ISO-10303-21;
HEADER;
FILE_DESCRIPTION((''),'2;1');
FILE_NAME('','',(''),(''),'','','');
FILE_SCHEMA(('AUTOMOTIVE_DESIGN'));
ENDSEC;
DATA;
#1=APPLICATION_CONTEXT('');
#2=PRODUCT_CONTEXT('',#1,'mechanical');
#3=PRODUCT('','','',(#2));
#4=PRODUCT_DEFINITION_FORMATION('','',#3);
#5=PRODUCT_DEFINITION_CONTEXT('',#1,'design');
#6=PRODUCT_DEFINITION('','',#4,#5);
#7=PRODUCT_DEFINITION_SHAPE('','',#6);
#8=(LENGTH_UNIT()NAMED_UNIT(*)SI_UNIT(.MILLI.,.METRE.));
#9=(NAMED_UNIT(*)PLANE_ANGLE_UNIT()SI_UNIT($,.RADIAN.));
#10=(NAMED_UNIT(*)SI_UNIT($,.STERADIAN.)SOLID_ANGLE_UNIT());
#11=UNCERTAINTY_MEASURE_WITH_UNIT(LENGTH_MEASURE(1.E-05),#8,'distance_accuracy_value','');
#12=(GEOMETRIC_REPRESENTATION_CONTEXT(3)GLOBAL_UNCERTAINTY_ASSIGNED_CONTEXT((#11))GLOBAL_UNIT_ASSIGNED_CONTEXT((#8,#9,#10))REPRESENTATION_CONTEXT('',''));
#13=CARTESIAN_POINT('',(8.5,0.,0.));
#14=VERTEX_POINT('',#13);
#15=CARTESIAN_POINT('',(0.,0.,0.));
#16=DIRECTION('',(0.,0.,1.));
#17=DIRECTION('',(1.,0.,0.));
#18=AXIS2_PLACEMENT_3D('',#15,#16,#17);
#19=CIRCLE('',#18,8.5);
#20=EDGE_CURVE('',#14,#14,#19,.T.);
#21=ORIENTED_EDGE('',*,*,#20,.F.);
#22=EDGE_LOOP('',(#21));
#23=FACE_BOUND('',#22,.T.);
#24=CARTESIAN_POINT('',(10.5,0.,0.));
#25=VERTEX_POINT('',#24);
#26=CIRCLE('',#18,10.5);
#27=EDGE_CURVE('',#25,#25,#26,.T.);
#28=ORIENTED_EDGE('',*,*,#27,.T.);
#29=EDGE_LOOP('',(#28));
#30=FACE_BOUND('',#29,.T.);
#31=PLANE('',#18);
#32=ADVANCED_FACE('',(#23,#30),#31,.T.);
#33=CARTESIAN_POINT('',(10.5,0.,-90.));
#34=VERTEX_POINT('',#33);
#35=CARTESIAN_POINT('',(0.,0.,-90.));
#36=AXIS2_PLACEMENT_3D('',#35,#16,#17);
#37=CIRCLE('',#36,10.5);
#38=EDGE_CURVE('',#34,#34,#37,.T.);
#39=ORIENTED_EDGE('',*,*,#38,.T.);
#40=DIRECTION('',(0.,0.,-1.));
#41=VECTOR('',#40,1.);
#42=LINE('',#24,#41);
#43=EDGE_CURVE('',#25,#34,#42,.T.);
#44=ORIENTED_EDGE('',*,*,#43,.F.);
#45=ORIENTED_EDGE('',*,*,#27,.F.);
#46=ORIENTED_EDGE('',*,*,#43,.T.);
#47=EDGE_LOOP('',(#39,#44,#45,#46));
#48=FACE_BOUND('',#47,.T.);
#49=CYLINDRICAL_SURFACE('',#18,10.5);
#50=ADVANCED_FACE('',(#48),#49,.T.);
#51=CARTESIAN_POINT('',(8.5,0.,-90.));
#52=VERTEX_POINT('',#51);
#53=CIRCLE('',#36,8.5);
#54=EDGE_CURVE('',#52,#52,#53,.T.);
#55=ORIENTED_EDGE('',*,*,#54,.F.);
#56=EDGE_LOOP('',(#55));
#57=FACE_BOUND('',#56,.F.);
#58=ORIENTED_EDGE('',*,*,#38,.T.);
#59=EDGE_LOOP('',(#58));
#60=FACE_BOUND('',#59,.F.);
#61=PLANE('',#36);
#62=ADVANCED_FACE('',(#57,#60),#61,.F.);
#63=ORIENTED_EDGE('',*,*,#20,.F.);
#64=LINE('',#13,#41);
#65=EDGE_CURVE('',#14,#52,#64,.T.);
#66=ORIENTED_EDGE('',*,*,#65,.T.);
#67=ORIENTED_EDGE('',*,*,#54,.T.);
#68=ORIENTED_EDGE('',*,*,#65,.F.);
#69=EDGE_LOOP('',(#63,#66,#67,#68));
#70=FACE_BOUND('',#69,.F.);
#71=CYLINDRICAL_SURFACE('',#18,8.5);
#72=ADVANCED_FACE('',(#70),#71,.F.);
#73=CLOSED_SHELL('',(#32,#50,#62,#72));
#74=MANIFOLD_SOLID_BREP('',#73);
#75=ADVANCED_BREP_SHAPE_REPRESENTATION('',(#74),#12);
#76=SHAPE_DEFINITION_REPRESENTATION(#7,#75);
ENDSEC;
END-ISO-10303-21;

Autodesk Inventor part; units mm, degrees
ref_plane "YZ Plane" through (0, 0, 0) normal (1, 0, 0) x (0, 1, 0)
ref_plane "XZ Plane" through (0, 0, 0) normal (0, 1, 0) x (-1, 0, 0)
ref_plane "XY Plane" through (0, 0, 0) normal (0, 0, 1) x (1, 0, 0)
sketch "Sketch11" plane through (0, 0, 0) normal (0, 0, 1) x (1, 0, 0)
  circle A0 centre (0, 0) radius 10.5
  circle A1 centre (0, 0) radius 8.5
  dimension "d187" = 21
  dimension "d188" = 2
extrude "Extrusion5" add sketch "Sketch11" against normal blind 90
properties part number "SLM 1684 FDS 1000 way tube 4" material "Stainless Steel"
